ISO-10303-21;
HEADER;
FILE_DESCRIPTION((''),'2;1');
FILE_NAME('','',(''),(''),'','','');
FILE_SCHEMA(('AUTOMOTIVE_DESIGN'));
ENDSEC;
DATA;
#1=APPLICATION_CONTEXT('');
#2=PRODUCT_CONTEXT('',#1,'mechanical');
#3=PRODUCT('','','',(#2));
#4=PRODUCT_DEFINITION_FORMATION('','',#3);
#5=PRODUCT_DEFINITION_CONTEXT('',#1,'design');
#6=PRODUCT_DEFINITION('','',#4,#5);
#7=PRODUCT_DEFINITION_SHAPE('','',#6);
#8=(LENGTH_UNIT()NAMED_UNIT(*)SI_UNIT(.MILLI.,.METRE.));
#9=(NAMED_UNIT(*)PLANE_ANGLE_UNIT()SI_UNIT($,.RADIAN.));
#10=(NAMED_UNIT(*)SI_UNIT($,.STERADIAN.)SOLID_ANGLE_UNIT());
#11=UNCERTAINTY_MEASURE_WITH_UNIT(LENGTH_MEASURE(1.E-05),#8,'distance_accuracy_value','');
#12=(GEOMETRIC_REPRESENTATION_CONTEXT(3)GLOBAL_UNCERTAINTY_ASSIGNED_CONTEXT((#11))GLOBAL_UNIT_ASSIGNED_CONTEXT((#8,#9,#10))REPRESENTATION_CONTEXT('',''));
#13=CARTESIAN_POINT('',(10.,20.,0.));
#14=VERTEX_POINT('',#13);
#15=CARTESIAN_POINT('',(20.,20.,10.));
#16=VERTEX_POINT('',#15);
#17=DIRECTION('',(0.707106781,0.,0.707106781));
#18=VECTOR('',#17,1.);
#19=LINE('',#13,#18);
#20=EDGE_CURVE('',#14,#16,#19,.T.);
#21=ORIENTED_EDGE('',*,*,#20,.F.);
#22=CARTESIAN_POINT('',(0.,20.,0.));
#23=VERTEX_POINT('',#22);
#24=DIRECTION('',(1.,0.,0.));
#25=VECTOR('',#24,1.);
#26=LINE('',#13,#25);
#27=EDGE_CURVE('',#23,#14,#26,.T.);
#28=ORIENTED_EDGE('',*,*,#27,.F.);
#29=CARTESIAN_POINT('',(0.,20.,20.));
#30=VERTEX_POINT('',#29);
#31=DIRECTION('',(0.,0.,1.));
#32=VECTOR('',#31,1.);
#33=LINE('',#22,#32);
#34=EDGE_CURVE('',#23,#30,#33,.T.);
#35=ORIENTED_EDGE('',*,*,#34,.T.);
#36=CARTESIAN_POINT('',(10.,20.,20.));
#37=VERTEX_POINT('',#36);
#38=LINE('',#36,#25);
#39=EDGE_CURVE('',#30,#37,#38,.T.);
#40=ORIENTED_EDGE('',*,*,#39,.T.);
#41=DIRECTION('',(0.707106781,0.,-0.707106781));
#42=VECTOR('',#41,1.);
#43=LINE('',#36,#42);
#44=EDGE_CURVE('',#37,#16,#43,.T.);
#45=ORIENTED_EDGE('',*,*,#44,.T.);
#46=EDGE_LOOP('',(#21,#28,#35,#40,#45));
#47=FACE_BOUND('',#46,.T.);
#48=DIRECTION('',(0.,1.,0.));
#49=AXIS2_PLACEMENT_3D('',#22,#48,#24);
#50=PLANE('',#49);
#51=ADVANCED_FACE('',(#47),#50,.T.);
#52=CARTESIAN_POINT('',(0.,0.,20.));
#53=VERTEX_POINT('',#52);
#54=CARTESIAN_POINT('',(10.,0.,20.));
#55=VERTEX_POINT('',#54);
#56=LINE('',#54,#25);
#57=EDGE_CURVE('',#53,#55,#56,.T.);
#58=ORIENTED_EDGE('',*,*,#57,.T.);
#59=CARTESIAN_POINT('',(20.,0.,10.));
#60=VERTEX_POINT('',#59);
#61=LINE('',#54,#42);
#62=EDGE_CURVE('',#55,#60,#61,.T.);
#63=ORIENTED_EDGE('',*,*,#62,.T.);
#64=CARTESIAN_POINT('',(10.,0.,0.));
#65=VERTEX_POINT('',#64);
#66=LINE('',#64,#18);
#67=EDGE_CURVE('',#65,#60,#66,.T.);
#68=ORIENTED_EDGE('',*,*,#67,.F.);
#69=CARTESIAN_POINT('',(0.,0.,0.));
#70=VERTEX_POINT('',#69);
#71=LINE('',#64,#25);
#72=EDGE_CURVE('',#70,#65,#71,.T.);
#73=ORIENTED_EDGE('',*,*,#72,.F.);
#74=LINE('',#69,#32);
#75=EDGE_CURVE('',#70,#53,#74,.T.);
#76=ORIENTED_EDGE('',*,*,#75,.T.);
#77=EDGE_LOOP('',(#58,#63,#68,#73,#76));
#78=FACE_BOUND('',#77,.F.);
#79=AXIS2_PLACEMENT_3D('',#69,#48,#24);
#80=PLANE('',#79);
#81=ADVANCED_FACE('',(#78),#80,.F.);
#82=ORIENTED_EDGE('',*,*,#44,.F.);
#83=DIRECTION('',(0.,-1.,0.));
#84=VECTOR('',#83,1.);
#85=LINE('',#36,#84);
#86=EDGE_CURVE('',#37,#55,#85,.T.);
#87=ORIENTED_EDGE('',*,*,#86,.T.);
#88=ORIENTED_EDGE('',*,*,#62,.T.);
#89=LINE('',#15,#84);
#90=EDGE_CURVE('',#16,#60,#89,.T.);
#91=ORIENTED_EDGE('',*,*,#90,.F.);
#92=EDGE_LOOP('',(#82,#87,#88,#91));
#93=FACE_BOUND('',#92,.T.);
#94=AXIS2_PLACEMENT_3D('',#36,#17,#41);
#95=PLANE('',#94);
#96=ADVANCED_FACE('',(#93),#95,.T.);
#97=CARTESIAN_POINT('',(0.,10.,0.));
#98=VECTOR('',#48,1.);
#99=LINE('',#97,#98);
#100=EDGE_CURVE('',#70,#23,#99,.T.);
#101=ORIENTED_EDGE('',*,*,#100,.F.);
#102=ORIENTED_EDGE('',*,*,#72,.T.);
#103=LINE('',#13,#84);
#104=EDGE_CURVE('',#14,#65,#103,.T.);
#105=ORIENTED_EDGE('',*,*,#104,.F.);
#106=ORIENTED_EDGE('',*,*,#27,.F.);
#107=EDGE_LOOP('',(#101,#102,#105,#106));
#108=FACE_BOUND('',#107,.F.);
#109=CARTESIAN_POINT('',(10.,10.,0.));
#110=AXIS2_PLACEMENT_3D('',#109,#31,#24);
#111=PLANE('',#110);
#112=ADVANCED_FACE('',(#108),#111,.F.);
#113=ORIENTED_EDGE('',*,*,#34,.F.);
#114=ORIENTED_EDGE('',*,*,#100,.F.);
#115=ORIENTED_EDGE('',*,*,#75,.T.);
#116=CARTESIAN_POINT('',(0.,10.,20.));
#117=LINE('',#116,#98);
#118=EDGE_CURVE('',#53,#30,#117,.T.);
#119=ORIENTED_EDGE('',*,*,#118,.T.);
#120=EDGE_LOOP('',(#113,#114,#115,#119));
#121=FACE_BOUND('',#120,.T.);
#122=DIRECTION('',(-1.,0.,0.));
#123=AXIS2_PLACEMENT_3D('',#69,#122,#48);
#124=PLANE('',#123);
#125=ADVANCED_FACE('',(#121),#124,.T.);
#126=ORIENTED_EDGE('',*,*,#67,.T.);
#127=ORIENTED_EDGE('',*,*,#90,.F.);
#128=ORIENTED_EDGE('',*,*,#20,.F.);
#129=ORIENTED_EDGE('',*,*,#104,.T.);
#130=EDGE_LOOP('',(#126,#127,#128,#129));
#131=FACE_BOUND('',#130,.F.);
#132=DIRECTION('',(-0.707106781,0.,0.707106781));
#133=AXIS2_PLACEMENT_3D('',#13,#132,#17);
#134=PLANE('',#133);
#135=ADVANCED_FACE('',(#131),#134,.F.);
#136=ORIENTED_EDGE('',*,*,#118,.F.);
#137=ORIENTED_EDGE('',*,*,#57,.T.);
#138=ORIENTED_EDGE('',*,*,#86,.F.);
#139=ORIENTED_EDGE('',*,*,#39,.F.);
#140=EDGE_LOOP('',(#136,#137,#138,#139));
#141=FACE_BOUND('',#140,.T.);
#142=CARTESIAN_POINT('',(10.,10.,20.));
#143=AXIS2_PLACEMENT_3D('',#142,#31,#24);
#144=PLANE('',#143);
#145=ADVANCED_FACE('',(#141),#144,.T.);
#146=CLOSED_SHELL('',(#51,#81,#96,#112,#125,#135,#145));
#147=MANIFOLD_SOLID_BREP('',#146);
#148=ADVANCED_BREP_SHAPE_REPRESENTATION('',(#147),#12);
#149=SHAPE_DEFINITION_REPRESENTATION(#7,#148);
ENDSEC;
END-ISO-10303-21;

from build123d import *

# Parameters (mm, degrees)
SKETCH1_W           = 20
SKETCH1_H           = 20
BOSS_EXTRUDE1_DEPTH = 20
CUT_EXTRUDE1_DEPTH  = 20
CUT_EXTRUDE2_DEPTH  = 20


with BuildPart() as part:
    # Sketch1 → Boss-Extrude1 (new body)
    with BuildSketch(Plane.XY):
        with Locations((10, 10)):
            Rectangle(SKETCH1_W, SKETCH1_H)
    extrude(amount=BOSS_EXTRUDE1_DEPTH)

    # Sketch2 → Cut-Extrude1 (cut)
    with BuildSketch(Plane(origin=(0, 20, 0), x_dir=(1, 0, 0), z_dir=(0, 1, 0))):
        Polygon((20, 0), (10, 0), (20, -10), align=None)
    extrude(amount=-CUT_EXTRUDE1_DEPTH, mode=Mode.SUBTRACT)

    # Sketch3 → Cut-Extrude2 (cut)
    with BuildSketch(Plane(origin=(0, 20, 0), x_dir=(1, 0, 0), z_dir=(0, 1, 0))):
        Polygon((20, -20), (10, -20), (20, -10), align=None)
    extrude(amount=-CUT_EXTRUDE2_DEPTH, mode=Mode.SUBTRACT)


solid = part.part
